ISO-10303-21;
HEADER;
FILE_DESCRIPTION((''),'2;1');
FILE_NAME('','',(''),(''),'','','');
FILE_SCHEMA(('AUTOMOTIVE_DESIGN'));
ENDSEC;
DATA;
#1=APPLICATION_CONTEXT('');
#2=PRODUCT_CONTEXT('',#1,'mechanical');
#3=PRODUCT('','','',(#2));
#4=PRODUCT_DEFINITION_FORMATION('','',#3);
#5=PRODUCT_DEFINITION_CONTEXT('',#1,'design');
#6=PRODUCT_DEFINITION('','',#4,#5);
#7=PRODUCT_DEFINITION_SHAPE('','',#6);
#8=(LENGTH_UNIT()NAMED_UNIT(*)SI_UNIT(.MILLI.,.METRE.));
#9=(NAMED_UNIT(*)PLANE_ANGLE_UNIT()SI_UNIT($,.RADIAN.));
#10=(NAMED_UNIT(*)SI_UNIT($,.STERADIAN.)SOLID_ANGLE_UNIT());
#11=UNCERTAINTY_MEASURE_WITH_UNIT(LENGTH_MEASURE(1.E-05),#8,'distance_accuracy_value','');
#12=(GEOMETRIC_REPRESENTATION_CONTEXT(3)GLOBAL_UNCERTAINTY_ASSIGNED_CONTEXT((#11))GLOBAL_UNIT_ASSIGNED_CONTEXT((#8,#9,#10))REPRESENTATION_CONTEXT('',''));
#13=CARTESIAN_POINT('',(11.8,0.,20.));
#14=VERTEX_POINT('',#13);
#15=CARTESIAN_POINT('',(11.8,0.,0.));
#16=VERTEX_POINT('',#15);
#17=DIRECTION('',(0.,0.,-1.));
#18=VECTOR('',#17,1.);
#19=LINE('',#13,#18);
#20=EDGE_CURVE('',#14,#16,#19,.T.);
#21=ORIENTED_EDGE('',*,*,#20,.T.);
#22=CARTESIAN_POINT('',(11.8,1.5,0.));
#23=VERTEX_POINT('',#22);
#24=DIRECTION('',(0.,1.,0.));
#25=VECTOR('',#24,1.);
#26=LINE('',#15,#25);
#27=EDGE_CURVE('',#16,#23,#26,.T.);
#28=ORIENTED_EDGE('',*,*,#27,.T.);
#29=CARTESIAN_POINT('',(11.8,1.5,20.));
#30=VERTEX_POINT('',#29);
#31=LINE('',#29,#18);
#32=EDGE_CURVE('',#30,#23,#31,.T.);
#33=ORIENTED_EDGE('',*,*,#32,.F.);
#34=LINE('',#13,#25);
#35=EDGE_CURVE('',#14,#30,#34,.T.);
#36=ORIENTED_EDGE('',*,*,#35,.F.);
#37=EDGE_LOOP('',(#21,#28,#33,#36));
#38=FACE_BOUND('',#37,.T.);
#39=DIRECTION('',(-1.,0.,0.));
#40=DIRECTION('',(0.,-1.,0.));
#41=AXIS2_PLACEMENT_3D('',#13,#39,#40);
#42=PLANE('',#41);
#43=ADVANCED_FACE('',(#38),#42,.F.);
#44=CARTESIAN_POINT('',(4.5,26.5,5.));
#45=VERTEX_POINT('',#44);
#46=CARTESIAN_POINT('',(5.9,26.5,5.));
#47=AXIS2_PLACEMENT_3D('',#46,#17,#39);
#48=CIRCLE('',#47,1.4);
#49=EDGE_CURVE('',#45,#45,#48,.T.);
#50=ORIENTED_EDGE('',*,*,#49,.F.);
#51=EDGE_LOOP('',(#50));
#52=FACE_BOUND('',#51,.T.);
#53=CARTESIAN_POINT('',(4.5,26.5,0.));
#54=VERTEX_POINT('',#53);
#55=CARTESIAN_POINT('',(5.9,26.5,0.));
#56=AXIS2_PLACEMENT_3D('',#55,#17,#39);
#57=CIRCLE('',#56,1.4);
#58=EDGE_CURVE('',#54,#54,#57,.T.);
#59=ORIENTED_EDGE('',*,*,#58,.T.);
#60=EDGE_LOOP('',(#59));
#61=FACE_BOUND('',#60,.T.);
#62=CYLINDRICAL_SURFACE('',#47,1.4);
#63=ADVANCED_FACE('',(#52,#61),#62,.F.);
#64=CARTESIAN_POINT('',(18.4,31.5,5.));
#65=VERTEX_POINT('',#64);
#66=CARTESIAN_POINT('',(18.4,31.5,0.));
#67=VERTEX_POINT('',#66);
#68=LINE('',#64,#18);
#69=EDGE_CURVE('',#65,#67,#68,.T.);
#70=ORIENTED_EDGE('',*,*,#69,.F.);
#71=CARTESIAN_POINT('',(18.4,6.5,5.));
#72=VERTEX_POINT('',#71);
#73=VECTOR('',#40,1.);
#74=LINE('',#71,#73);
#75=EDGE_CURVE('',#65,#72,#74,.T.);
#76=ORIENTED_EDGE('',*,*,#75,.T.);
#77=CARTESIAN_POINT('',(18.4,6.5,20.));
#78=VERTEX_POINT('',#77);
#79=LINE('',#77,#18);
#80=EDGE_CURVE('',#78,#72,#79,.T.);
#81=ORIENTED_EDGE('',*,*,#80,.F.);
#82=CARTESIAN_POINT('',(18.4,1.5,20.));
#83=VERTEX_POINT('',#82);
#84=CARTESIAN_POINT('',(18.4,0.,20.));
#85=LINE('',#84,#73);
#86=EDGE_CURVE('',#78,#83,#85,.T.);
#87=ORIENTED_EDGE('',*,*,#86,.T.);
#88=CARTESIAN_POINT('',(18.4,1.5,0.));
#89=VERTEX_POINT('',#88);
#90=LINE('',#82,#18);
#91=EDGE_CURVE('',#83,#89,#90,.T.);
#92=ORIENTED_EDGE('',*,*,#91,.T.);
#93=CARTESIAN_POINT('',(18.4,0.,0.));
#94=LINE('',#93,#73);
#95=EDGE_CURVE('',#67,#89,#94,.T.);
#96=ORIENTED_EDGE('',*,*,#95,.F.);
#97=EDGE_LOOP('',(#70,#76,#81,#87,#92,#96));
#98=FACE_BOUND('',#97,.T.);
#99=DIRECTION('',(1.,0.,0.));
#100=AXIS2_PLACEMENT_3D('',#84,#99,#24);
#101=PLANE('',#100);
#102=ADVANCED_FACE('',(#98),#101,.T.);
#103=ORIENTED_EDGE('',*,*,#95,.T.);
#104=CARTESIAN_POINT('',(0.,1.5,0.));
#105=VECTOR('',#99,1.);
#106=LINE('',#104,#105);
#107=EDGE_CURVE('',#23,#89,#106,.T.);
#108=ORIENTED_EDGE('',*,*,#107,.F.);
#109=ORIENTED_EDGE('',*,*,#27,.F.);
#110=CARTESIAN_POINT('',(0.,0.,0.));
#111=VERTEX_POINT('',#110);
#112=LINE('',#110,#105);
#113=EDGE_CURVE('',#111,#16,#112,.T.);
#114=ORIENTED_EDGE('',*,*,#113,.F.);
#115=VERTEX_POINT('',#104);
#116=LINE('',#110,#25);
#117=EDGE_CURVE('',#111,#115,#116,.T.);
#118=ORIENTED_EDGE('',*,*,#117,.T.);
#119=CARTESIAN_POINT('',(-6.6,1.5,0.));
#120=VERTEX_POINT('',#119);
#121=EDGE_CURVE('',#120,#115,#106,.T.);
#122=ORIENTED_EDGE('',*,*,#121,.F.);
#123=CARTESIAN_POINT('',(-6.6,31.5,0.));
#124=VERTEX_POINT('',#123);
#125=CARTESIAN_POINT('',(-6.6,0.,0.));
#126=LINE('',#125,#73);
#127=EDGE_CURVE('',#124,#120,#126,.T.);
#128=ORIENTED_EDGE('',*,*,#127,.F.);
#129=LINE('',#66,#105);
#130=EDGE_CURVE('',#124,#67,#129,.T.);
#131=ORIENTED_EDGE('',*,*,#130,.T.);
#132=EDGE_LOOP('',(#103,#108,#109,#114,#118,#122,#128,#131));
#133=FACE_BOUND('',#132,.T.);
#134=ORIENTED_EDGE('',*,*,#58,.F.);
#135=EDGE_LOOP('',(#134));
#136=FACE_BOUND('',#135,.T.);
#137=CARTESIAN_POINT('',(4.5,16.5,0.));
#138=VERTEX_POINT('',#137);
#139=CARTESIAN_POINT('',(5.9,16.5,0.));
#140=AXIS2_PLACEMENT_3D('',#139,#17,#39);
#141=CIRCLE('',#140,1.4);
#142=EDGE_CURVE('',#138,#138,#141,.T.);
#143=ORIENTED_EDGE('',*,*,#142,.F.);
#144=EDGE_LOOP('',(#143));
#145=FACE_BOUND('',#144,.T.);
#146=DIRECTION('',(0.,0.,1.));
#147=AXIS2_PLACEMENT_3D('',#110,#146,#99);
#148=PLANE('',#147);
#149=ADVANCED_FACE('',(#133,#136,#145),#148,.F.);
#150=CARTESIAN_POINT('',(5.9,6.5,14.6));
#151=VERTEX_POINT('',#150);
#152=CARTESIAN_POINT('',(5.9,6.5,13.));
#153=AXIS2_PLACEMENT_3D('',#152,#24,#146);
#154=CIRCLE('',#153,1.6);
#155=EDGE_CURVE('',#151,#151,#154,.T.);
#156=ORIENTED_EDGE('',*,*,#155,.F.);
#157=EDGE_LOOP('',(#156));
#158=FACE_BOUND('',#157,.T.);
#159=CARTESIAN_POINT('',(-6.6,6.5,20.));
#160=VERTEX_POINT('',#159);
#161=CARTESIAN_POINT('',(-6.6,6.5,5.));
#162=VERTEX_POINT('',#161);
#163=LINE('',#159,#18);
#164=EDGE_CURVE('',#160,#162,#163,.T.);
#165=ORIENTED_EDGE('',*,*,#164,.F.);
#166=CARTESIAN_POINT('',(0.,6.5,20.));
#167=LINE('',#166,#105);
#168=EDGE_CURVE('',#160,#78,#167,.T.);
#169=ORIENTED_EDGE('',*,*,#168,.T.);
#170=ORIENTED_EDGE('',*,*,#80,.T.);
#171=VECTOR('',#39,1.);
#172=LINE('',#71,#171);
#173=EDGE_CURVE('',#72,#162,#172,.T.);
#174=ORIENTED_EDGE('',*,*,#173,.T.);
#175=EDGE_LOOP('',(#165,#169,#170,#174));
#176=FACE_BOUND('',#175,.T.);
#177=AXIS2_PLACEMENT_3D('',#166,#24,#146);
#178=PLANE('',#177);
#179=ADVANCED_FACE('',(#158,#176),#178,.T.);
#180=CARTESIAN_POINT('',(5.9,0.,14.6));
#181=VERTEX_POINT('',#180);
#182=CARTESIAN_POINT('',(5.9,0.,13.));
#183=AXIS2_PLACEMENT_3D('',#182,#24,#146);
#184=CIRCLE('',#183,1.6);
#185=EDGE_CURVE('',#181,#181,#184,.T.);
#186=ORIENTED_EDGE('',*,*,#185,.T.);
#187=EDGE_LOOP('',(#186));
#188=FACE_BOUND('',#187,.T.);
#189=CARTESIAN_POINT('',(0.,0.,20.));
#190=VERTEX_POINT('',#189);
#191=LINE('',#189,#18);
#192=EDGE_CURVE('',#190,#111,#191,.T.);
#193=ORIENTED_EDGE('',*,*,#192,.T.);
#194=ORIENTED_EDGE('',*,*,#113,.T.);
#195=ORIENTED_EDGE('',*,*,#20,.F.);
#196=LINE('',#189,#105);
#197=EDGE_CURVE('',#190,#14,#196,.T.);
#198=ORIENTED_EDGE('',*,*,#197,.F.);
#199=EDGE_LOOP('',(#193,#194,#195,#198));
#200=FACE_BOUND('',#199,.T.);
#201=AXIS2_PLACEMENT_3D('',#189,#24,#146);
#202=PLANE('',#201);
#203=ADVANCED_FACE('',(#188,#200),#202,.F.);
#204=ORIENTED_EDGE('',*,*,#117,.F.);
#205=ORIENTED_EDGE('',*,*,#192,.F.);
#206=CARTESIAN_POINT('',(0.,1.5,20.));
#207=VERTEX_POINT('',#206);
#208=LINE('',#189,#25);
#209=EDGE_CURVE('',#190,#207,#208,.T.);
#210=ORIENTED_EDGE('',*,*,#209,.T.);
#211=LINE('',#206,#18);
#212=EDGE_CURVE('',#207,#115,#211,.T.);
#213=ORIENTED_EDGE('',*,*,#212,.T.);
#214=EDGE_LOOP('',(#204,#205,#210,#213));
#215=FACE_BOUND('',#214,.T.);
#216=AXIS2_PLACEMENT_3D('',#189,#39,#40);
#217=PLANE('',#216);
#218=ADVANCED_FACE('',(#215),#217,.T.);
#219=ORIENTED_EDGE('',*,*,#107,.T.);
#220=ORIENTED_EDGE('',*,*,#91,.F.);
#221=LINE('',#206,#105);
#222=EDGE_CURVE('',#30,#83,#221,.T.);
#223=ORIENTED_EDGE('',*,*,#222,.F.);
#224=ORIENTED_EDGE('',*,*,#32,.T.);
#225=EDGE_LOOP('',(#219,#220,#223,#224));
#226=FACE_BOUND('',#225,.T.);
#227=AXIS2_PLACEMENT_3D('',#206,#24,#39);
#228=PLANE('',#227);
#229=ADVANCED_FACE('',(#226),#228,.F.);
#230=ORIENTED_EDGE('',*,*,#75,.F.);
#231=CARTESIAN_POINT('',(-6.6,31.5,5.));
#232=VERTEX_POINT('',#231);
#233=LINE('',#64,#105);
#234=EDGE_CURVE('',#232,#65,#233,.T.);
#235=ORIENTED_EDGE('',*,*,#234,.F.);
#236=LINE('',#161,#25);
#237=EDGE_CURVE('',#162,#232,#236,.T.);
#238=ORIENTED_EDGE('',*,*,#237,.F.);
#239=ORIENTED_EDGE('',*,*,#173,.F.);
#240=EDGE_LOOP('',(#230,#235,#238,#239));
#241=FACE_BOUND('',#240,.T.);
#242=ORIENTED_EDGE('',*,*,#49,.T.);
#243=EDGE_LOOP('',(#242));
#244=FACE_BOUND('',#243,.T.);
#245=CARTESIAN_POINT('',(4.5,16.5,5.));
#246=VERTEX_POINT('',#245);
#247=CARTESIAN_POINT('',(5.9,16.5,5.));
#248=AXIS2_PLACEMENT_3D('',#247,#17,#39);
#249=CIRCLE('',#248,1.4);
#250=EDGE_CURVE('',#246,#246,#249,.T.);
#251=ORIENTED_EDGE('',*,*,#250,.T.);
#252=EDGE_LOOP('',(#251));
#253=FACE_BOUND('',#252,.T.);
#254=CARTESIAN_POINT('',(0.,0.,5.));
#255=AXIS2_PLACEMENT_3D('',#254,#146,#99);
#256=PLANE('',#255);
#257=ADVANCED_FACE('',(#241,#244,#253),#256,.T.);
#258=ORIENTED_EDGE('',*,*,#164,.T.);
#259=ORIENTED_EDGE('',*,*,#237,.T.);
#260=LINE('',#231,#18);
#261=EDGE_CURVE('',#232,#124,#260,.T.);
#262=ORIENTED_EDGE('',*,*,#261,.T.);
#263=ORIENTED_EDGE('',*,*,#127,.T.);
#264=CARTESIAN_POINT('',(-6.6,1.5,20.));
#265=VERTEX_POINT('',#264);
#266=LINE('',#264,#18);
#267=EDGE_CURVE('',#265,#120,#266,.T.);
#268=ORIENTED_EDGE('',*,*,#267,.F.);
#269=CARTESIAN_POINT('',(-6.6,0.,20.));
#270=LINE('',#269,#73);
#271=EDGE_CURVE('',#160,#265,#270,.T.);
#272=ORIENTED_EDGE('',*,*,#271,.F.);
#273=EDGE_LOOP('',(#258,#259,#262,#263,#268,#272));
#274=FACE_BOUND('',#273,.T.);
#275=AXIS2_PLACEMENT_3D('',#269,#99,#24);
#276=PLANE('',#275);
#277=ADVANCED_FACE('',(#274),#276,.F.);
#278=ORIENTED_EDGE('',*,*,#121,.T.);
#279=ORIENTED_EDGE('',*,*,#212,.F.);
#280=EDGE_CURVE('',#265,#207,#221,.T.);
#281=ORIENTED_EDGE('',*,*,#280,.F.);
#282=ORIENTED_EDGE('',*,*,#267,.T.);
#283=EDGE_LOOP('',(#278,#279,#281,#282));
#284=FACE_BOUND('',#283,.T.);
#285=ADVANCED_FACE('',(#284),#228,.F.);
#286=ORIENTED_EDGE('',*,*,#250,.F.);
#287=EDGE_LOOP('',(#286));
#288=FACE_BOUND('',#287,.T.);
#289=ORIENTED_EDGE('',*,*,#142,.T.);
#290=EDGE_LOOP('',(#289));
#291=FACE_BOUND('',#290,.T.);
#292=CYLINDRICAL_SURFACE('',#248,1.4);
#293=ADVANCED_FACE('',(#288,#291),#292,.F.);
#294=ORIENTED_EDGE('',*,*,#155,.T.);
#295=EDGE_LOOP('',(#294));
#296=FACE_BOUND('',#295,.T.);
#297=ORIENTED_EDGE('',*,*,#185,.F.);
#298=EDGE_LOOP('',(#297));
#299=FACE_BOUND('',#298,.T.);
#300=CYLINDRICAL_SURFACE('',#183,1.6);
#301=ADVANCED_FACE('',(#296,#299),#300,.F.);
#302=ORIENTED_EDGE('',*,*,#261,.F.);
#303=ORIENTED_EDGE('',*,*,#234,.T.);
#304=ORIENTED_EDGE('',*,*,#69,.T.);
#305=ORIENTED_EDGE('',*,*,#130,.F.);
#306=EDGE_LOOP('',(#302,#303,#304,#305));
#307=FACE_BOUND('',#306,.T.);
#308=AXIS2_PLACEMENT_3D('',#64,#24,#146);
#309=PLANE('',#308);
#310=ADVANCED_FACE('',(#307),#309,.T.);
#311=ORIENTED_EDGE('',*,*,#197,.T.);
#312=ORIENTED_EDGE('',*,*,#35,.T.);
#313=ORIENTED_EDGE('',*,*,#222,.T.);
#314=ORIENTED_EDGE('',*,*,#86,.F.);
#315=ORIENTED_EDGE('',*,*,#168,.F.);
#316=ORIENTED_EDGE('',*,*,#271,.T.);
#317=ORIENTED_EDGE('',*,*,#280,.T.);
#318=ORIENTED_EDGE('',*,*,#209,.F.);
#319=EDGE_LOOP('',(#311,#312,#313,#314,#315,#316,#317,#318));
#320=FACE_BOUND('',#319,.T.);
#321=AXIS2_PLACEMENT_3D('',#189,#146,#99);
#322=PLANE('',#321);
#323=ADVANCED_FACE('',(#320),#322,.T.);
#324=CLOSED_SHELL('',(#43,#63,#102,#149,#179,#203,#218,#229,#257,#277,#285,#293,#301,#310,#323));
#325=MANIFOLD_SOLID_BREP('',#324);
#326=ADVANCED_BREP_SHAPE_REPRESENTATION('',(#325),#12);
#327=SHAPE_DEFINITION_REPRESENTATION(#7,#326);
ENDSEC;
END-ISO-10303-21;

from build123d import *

# Parameters (mm, degrees)
SKETCH1_W           = 11.8
SKETCH1_H           = 1.5
BOSS_EXTRUDE1_DEPTH = 20
SKETCH3_W           = 25
SKETCH3_H           = 25
SKETCH3_R           = 1.4
BOSS_EXTRUDE2_DEPTH = 5
SKETCH4_R           = 1.6
CUT_EXTRUDE2_DEPTH  = 7.5


with BuildPart() as part:
    # Sketch1 → Boss-Extrude1 (new body)
    with BuildSketch(Plane.XY):
        Polygon((-6.6, 1.5), (0, 1.5), (11.8, 1.5), (18.4, 1.5), (18.4, 6.5), (-6.6, 6.5), align=None)
        with Locations((5.9, 0.75)):
            Rectangle(SKETCH1_W, SKETCH1_H)
    extrude(amount=BOSS_EXTRUDE1_DEPTH)

    # Sketch3 → Boss-Extrude2 (add)
    with BuildSketch(Plane(origin=(0, 0, 0), x_dir=(-1, 0, 0), z_dir=(0, 0, -1))):
        with Locations((-5.9, 19)):
            Rectangle(SKETCH3_W, SKETCH3_H)
        with Locations((-5.9, 16.5)):
            Circle(SKETCH3_R, mode=Mode.SUBTRACT)
        with Locations((-5.9, 26.5)):
            Circle(SKETCH3_R, mode=Mode.SUBTRACT)
    extrude(amount=-BOSS_EXTRUDE2_DEPTH)

    # Sketch4 → Cut-Extrude2 (cut, through all)
    with BuildSketch(Plane(origin=(0, 6.5, 0), x_dir=(1, 0, 0), z_dir=(0, 1, 0))):
        with Locations((5.9, -13)):
            Circle(SKETCH4_R)
    extrude(amount=-CUT_EXTRUDE2_DEPTH, mode=Mode.SUBTRACT)


solid = part.part
